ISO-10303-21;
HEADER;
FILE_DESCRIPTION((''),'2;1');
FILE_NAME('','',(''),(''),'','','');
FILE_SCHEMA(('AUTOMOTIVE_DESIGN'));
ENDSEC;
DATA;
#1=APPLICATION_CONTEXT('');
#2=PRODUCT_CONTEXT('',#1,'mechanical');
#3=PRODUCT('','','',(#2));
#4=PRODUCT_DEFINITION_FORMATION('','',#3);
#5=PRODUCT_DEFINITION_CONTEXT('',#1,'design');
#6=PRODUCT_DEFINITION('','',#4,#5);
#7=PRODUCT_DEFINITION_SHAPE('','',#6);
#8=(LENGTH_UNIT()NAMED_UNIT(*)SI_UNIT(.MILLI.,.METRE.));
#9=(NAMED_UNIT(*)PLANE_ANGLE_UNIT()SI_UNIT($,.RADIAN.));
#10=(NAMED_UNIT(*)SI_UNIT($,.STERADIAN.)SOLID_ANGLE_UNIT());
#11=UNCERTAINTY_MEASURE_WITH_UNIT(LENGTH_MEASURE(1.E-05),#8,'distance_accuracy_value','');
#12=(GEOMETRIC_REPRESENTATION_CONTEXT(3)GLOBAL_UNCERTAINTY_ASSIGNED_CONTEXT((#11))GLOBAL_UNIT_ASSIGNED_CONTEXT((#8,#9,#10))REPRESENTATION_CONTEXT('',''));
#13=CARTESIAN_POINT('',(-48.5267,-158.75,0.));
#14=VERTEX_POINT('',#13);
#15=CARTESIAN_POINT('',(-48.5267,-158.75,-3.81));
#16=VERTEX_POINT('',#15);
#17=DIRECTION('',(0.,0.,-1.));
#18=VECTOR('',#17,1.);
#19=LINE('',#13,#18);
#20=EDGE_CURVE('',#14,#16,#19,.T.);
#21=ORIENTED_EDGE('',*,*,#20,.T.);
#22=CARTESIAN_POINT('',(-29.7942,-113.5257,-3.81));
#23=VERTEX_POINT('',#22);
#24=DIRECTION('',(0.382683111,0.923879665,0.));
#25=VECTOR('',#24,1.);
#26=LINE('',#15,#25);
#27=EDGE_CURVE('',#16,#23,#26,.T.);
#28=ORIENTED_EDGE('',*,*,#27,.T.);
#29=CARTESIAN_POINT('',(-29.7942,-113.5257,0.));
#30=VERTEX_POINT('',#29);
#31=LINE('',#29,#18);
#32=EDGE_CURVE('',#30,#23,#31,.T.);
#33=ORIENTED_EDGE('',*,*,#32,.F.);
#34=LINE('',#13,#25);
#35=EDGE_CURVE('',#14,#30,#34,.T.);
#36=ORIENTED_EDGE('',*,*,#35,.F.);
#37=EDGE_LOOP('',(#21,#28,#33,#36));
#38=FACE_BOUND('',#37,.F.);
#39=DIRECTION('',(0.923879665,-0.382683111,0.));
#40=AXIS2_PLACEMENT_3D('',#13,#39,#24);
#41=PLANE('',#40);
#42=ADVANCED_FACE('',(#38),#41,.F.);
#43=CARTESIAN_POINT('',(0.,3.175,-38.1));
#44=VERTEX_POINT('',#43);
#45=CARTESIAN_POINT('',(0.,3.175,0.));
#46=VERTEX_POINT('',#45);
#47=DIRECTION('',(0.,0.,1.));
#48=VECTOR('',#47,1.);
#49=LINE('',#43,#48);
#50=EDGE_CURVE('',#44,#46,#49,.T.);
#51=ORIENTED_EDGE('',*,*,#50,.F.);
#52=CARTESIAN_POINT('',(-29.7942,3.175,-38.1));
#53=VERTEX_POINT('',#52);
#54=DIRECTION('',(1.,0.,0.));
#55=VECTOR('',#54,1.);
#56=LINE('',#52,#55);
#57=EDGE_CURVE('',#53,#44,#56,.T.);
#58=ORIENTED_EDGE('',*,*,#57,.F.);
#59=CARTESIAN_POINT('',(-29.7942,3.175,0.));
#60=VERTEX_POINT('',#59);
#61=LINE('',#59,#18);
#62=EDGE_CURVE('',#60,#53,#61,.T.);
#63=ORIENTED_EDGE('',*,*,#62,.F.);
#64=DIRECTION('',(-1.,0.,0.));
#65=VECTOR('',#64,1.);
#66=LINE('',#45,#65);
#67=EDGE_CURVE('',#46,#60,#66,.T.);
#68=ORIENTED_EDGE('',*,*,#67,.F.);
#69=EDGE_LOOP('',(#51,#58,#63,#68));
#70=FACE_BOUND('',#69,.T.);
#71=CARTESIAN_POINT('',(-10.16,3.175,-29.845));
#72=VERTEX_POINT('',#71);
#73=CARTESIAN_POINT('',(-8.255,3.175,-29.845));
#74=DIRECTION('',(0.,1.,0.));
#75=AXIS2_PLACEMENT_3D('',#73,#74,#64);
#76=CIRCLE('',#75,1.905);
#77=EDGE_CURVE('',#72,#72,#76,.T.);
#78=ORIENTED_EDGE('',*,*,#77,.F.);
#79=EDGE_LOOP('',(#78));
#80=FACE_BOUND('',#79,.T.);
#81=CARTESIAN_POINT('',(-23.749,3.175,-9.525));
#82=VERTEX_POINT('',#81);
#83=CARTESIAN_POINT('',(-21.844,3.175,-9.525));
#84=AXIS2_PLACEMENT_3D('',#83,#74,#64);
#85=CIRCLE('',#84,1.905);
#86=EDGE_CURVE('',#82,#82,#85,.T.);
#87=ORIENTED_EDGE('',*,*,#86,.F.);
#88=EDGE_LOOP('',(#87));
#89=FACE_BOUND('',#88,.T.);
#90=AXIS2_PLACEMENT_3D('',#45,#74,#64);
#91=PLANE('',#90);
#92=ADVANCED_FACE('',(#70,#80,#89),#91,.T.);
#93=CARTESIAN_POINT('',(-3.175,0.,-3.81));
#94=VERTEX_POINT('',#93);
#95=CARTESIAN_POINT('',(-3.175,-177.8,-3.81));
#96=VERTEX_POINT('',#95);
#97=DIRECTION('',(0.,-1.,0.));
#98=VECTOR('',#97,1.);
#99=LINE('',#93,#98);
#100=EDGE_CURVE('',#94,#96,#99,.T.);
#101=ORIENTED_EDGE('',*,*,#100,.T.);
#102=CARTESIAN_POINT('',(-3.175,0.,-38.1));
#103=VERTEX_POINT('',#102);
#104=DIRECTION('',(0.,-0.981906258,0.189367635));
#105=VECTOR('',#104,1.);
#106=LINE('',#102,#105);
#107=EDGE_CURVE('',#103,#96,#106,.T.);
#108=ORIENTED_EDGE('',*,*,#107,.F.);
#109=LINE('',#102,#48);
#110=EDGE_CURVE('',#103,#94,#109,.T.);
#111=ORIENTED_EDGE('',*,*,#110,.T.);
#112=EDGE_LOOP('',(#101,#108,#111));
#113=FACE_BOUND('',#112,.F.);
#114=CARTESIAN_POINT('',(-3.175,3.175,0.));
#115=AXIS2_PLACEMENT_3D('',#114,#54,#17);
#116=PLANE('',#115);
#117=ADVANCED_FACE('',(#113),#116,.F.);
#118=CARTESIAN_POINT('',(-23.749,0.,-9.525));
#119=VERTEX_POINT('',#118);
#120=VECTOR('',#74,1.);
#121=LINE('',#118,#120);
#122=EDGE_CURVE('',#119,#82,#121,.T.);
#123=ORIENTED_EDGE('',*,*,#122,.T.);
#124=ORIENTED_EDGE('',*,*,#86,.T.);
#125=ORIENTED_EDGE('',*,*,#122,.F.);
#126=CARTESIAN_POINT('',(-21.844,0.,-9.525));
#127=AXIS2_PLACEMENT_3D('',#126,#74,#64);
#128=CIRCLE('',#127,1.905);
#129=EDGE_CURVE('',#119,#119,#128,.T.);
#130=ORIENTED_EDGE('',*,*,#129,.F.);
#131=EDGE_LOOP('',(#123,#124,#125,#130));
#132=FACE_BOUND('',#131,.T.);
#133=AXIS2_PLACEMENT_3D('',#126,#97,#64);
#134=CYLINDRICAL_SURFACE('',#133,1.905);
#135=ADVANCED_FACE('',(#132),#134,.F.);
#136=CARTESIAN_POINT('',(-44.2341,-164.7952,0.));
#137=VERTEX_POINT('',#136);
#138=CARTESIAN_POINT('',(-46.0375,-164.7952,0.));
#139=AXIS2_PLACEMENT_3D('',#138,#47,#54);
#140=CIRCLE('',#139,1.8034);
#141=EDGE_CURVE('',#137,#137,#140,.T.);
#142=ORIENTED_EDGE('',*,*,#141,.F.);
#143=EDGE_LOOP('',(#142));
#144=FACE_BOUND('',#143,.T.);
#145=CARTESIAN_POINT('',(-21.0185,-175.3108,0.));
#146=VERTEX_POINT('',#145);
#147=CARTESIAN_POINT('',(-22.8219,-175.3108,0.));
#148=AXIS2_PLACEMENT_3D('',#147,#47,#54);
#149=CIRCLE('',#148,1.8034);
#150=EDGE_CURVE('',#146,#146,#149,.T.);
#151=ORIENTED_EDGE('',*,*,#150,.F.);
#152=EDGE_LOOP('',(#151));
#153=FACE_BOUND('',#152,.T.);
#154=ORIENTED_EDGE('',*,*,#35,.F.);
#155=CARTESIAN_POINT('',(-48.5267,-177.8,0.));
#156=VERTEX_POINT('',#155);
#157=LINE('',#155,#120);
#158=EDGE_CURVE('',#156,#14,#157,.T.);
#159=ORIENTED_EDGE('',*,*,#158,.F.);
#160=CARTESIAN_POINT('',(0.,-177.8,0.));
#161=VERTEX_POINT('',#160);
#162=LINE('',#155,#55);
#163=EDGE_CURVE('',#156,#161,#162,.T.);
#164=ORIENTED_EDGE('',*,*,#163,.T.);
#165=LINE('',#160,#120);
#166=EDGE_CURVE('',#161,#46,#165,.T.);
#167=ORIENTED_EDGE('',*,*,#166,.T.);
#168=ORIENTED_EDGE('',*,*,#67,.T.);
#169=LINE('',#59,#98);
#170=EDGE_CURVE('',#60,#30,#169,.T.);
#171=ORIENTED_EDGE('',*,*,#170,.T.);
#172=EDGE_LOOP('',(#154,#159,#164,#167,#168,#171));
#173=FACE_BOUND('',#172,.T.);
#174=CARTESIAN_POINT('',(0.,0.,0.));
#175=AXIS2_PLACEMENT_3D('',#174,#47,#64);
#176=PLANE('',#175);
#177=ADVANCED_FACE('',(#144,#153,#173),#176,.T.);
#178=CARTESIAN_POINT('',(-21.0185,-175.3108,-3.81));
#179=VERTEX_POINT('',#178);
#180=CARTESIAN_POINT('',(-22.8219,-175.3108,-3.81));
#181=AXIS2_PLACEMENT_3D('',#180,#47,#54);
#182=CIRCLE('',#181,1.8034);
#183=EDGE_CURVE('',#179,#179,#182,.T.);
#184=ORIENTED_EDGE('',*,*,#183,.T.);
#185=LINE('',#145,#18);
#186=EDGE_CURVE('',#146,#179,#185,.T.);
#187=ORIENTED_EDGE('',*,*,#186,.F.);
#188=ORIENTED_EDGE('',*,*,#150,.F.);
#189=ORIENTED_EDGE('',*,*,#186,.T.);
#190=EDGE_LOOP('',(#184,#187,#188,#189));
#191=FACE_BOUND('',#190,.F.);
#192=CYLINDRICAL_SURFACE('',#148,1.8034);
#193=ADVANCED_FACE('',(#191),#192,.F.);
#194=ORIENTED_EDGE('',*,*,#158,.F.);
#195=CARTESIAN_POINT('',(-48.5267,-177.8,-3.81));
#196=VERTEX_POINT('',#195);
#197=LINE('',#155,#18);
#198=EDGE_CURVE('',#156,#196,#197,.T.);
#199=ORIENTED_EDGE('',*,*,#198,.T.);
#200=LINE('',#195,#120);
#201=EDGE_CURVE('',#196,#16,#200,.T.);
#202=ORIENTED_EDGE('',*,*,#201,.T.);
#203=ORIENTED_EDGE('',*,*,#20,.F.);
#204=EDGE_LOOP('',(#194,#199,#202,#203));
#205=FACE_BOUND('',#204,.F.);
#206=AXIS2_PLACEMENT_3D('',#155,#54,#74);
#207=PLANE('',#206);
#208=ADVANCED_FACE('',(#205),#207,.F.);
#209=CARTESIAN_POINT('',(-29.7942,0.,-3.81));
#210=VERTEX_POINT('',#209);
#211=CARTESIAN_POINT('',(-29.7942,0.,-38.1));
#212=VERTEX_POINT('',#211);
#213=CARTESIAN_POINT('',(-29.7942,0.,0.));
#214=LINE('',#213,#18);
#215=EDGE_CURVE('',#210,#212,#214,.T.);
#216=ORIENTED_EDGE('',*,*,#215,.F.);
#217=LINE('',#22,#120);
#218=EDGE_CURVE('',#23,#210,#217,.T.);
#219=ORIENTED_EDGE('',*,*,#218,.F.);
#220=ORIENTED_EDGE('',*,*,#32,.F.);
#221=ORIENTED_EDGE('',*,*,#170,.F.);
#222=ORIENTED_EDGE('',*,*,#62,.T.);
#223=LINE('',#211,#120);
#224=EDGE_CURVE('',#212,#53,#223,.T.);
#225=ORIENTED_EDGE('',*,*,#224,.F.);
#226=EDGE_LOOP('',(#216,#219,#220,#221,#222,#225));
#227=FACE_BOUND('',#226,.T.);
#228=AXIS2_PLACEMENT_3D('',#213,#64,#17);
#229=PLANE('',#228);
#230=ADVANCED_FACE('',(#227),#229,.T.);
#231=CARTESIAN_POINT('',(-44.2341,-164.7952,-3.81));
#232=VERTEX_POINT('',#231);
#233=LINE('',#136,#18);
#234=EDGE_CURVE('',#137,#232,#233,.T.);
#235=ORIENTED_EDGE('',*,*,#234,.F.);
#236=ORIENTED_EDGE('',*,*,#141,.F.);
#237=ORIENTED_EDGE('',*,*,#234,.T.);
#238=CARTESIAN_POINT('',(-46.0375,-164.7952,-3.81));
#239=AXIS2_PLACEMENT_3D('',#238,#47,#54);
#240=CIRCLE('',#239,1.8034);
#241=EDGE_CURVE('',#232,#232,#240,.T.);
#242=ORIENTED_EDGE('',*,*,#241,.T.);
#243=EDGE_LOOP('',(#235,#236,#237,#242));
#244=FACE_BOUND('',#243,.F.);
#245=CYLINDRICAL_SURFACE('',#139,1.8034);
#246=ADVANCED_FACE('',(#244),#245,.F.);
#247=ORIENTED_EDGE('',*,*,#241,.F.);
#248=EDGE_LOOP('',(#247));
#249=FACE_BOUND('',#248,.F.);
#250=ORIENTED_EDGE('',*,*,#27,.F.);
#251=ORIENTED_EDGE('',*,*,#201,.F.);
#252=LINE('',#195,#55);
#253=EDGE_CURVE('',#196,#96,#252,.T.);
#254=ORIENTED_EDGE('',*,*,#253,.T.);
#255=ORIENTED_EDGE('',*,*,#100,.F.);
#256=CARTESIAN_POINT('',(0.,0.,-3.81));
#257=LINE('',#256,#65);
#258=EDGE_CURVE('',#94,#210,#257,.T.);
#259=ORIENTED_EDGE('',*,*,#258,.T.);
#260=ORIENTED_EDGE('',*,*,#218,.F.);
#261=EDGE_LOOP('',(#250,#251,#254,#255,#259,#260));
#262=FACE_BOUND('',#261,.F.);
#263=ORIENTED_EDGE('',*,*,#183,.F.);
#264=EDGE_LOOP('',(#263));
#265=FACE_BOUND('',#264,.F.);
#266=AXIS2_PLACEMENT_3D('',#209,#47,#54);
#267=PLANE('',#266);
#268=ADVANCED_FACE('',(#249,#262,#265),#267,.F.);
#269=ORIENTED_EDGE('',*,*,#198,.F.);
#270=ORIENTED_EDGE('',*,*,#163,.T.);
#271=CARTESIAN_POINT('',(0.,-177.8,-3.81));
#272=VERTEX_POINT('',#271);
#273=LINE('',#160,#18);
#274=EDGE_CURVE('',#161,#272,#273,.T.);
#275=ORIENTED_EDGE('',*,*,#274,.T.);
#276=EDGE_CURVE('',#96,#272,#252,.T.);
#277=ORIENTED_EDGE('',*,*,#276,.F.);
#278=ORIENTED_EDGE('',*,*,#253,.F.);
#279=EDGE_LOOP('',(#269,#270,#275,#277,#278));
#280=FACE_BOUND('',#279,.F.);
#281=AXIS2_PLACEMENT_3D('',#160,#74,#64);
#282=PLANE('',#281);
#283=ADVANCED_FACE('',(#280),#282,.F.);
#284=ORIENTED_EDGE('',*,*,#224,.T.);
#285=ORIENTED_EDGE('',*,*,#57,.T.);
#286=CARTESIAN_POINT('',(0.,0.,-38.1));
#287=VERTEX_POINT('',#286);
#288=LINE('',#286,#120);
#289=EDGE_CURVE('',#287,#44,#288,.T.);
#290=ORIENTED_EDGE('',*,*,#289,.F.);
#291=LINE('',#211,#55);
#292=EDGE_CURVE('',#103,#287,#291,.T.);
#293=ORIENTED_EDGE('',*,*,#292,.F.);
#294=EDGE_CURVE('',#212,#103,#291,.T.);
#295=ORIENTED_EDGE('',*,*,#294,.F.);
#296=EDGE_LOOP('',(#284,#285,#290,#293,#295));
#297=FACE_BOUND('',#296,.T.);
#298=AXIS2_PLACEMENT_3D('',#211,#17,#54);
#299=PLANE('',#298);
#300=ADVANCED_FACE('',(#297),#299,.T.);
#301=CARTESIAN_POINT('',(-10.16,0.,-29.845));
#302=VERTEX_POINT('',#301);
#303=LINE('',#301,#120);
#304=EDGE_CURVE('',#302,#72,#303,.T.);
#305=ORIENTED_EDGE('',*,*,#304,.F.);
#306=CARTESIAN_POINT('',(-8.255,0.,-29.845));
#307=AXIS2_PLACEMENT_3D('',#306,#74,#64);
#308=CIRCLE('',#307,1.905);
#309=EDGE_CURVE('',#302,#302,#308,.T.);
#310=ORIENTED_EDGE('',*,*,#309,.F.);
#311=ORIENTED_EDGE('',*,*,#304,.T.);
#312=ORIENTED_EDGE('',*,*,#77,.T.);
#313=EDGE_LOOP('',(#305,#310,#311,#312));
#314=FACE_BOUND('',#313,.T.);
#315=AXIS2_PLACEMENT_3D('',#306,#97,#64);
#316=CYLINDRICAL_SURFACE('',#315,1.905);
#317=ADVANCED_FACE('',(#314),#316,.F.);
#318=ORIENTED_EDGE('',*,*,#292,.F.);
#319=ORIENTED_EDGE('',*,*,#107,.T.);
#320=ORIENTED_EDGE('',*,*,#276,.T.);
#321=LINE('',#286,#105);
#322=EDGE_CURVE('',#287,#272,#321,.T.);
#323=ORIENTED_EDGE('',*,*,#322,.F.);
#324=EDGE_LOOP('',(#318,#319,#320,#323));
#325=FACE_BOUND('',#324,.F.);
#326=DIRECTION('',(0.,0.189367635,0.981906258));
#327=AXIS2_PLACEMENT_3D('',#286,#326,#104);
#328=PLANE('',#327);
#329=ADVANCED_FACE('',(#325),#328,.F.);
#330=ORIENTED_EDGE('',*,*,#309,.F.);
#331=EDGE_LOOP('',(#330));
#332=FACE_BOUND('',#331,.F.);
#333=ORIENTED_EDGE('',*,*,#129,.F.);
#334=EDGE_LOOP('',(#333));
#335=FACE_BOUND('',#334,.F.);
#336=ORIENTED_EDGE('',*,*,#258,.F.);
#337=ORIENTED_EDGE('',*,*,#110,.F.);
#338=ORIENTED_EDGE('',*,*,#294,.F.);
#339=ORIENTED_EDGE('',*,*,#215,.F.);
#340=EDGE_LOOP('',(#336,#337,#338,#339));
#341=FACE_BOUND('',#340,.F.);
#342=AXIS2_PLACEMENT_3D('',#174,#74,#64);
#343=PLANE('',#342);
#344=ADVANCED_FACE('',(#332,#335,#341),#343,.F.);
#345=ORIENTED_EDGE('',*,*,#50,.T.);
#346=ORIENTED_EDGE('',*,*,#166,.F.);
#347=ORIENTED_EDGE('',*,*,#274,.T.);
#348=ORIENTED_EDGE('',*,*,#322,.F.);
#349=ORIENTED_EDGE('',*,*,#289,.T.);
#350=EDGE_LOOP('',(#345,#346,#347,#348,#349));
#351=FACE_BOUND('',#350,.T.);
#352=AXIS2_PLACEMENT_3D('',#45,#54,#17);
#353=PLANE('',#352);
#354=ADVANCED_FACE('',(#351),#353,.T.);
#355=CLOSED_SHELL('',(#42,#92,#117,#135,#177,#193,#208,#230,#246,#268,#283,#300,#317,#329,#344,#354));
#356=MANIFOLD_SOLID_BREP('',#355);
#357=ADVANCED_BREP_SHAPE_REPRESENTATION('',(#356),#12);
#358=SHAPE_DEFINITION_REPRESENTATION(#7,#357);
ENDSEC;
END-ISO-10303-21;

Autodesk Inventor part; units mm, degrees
ref_plane "YZ Plane" through (0, 0, 0) normal (1, 0, 0) x (0, 1, 0)
ref_plane "XZ Plane" through (0, 0, 0) normal (0, 1, 0) x (-1, 0, 0)
ref_plane "XY Plane" through (0, 0, 0) normal (0, 0, 1) x (1, 0, 0)
sketch "Sketch1" plane through (0, 0, 0) normal (0, 1, 0) x (-1, 0, 0)
  line L0 (0, 0) -> (29.7942, 0)
  line L1 (29.7942, 0) -> (29.7942, -38.1)
  line L2 (29.7942, -38.1) -> (0, -38.1)
  line L3 (0, -38.1) -> (0, 0)
  circle A0 centre (21.844, -9.525) radius 1.905
  circle A1 centre (8.255, -29.845) radius 1.905
  dimension "d0" = 29.7942
  dimension "d1" = 38.1
  dimension "d2" = 3.81
  dimension "d3" = 3.81
  dimension "d4" = 7.9502
  dimension "d5" = 9.525
  dimension "d6" = 8.255
  dimension "d7" = 8.255
extrude "Extrusion1" add sketch "Sketch1" along normal blind 3.175
sketch "Sketch2" plane through (-29.7942, 0, 0) normal (0, 0, 1) x (1, 0, 0)
  line L0 (29.7942, 0) -> (0, 0) projected
  line L1 (0, 0) -> (29.7942, 0)
  line L2 (29.7942, 0) -> (29.7942, -177.8)
  line L3 (29.7942, -177.8) -> (0, -177.8)
  line L4 (0, -113.5257) -> (0, 0)
  circle A0 centre (6.9723, -175.3108) radius 1.8034
  circle A1 centre (-16.2433, -164.7952) radius 1.8034
  line L5 (0, -177.8) -> (-18.7325, -177.8)
  line L6 (-18.7325, -177.8) -> (-18.7325, -158.75)
  line L7 (-18.7325, -158.75) -> (0, -113.5257)
  dimension "d11" = 177.8
  dimension "d12" = 3.6068
  dimension "d13" = 3.6068
  dimension "d15" = 13.0048
  dimension "d16" = 2.4892
  dimension "d22" = 157.5
  dimension "d24" = 19.05
  dimension "d25" = 48.5267
  dimension "d26" = 29.7942
  dimension "d27" = 2.4892
  dimension "d28" = 25.7048
extrude "Extrusion2" add sketch "Sketch2" against normal blind 3.81
sketch "Sketch3" plane through (0, 3.175, 0) normal (1, 0, 0) x (0, 0, -1)
  line L0 (3.81, -3.175) -> (3.81, -180.975) projected
  line L1 (38.1, -3.175) -> (3.81, -180.975)
  line L2 (38.1, -3.175) -> (3.81, -3.175)
  point P0 (0, -3.175)
extrude "Extrusion3" add sketch "Sketch3" against normal blind 3.175
properties part number "LimitSwitchBottomV3"
